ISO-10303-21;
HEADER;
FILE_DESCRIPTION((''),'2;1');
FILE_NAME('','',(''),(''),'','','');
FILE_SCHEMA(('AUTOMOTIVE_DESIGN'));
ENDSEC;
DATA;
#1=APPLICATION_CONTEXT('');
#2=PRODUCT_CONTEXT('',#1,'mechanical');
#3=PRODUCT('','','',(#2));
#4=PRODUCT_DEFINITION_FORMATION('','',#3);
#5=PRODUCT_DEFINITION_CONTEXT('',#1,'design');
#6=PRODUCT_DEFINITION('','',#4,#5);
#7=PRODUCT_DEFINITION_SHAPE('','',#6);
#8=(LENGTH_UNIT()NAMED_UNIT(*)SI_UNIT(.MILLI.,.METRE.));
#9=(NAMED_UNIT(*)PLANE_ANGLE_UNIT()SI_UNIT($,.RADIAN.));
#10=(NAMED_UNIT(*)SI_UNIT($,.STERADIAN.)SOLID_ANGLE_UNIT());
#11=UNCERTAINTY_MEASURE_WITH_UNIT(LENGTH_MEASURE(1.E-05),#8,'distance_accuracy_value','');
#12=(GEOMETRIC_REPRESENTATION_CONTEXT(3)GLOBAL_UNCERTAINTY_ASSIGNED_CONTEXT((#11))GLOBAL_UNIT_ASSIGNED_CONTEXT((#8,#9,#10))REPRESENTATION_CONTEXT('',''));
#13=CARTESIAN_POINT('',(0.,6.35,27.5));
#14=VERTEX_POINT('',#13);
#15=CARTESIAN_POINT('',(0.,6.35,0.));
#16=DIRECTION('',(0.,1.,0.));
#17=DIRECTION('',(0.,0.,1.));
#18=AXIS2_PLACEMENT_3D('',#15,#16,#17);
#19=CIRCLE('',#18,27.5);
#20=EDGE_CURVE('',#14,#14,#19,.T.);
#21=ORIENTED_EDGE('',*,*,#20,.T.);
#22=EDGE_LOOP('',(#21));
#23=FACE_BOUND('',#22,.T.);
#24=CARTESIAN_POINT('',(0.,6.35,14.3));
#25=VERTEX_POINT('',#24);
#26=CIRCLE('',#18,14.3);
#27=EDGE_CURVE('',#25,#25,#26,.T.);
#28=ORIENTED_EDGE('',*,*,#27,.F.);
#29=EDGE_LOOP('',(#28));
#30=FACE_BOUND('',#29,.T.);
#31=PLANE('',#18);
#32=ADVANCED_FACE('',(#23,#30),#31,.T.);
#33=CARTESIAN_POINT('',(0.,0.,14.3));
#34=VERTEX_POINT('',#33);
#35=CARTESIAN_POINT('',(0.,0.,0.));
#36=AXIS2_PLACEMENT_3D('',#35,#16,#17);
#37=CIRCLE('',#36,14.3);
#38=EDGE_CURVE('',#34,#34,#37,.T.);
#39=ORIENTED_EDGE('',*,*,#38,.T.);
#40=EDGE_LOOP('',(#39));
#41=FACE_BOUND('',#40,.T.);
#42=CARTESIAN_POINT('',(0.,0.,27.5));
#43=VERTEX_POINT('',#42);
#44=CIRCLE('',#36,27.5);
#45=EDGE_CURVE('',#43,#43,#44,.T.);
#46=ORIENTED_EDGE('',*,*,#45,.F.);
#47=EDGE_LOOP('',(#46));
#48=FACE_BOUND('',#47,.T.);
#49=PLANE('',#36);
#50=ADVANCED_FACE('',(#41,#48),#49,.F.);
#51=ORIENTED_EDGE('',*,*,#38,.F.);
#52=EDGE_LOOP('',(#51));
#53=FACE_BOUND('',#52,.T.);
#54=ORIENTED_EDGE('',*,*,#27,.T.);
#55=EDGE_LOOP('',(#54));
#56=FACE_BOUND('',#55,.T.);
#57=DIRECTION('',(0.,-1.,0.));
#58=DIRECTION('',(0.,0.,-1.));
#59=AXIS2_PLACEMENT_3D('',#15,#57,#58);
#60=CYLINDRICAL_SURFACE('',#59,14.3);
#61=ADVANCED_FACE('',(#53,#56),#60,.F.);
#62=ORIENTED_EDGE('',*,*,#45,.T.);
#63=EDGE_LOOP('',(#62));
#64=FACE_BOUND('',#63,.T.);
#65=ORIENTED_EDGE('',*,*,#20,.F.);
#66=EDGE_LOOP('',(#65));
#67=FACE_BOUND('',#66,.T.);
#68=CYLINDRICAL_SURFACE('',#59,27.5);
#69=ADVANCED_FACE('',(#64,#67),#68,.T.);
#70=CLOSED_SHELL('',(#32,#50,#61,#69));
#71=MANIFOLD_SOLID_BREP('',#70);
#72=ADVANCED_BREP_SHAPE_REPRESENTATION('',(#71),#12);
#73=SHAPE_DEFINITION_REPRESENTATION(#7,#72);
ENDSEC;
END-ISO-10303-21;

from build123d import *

# Parameters (mm, degrees)
SKETCH1_R           = 27.5
SKETCH1_R_2         = 14.3
BOSS_EXTRUDE1_DEPTH = 6.35


with BuildPart() as part:
    # Sketch1 → Boss-Extrude1 (new body)
    with BuildSketch(Plane(origin=(0, 0, 0), x_dir=(1, 0, 0), z_dir=(0, 1, 0))):
        with Locations(Location((0, 0, 0), (0, 0, 270))):
            Circle(SKETCH1_R)
        with Locations(Location((0, 0, 0), (0, 0, 270))):
            Circle(SKETCH1_R_2, mode=Mode.SUBTRACT)
    extrude(amount=BOSS_EXTRUDE1_DEPTH)


solid = part.part
